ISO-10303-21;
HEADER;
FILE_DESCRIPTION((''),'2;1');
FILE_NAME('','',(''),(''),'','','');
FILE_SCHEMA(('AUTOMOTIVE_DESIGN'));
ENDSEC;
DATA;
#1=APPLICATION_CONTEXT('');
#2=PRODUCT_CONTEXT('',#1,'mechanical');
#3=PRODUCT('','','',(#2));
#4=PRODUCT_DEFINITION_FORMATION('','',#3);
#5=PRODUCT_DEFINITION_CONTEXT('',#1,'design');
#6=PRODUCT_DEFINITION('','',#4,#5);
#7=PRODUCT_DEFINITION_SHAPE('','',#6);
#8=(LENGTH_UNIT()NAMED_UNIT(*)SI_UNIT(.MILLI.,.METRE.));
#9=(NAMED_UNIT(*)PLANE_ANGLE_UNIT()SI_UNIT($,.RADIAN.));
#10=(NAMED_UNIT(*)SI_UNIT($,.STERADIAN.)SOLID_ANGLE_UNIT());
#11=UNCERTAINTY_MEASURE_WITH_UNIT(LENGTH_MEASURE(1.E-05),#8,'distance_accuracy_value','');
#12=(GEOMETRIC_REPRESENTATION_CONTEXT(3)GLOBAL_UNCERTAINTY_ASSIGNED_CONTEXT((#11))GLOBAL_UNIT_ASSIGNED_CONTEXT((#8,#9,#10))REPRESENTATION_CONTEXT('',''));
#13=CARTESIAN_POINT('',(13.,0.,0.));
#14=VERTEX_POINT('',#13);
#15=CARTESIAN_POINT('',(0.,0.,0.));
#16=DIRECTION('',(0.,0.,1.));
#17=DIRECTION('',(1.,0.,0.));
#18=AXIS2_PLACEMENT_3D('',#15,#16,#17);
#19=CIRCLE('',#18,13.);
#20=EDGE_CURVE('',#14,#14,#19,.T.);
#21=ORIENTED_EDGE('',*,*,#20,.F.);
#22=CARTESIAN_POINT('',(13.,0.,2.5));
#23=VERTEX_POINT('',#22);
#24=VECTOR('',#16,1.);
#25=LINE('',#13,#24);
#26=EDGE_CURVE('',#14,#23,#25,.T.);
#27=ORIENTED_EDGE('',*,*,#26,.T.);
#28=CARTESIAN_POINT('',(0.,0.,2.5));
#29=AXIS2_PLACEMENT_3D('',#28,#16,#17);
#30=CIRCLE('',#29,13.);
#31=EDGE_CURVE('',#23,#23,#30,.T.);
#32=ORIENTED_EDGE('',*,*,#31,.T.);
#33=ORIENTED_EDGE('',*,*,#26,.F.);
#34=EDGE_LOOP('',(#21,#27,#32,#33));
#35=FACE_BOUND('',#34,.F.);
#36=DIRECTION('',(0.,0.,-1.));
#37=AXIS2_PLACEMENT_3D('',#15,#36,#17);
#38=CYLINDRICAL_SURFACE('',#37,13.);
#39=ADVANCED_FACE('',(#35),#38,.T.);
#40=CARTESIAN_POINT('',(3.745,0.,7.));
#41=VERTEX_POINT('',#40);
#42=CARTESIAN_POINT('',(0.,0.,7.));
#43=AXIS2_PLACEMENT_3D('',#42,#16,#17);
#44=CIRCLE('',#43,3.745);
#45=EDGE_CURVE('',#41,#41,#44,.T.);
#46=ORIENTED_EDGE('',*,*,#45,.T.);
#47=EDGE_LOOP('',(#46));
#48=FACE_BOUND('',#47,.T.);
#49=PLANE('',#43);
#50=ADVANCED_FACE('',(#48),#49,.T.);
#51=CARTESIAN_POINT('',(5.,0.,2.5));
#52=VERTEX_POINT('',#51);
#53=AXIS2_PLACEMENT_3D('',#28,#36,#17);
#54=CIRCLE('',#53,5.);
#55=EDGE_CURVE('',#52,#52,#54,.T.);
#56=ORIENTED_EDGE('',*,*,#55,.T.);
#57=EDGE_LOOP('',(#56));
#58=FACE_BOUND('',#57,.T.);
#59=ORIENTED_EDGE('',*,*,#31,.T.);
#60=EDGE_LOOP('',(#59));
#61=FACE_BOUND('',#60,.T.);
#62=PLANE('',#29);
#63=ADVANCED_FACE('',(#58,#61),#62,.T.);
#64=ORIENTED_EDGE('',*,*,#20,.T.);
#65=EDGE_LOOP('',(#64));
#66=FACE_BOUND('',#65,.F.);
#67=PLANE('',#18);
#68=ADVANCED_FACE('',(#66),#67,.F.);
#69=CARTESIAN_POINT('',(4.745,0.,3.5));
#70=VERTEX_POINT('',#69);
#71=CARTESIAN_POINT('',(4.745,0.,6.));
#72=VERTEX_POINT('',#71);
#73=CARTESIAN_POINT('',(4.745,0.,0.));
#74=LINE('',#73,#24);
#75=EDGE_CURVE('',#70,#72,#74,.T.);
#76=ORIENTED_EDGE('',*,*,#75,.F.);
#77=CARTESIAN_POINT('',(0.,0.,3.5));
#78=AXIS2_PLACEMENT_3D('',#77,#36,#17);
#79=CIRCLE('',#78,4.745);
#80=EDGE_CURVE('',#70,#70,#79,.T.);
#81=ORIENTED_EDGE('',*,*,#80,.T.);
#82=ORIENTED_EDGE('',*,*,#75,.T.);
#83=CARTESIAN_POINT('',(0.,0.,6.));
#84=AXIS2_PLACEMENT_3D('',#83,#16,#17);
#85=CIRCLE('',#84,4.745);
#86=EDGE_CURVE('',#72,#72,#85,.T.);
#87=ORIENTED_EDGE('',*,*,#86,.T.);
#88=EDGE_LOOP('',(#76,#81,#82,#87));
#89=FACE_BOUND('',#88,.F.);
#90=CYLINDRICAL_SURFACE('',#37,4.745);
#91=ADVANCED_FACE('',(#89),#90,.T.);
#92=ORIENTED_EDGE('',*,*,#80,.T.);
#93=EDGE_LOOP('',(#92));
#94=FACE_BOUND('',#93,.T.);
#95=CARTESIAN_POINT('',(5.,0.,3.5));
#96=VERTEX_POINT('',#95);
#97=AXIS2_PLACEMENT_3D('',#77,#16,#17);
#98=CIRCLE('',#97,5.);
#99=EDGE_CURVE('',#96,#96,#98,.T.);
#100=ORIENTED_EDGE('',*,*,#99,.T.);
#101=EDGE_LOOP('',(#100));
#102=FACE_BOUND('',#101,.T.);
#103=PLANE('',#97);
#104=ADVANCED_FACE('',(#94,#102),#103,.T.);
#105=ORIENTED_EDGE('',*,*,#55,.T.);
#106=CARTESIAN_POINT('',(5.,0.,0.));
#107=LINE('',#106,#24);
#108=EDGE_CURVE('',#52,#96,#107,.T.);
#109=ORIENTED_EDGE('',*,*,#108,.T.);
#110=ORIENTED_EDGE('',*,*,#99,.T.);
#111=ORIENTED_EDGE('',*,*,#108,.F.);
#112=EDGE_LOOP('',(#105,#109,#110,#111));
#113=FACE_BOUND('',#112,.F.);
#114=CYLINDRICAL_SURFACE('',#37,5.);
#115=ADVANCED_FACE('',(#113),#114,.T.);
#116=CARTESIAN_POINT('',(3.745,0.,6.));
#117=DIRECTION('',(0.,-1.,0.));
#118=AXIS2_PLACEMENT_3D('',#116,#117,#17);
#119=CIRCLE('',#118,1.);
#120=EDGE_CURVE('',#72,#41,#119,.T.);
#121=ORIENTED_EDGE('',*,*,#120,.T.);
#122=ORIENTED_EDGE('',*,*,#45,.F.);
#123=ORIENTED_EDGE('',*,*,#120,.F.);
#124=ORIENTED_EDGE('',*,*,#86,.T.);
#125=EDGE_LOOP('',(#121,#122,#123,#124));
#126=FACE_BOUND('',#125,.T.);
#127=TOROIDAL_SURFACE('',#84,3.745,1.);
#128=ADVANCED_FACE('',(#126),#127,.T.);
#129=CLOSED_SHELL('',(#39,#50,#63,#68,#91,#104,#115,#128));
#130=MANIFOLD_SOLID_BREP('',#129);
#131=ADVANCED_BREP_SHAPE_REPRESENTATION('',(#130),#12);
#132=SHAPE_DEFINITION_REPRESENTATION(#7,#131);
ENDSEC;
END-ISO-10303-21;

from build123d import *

# Parameters (mm, degrees)
F0_R     = 13
F1_DEPTH = 2.5
F2_R     = 5
F3_DEPTH = 3.5
F4_R     = 4.745
F5_DEPTH = 7
F6_R     = 1


with BuildPart() as f1:
    # F0 (on Top) → F1 (new body)
    with BuildSketch(Plane.XY):
        Circle(F0_R)
    extrude(amount=F1_DEPTH)

    # F2 (on Top) → F3 (join)
    with BuildSketch(Plane.XY):
        Circle(F2_R)
    extrude(amount=F3_DEPTH)

    # F4 (on Top) → F5 (join)
    with BuildSketch(Plane.XY):
        Circle(F4_R)
    extrude(amount=F5_DEPTH)

    # F6
    f6_edges = [f1.edges().sort_by_distance(p)[0] for p in [
        (-4.745, 0, 7),
    ]]
    fillet(f6_edges, radius=F6_R)


solid = f1.part
